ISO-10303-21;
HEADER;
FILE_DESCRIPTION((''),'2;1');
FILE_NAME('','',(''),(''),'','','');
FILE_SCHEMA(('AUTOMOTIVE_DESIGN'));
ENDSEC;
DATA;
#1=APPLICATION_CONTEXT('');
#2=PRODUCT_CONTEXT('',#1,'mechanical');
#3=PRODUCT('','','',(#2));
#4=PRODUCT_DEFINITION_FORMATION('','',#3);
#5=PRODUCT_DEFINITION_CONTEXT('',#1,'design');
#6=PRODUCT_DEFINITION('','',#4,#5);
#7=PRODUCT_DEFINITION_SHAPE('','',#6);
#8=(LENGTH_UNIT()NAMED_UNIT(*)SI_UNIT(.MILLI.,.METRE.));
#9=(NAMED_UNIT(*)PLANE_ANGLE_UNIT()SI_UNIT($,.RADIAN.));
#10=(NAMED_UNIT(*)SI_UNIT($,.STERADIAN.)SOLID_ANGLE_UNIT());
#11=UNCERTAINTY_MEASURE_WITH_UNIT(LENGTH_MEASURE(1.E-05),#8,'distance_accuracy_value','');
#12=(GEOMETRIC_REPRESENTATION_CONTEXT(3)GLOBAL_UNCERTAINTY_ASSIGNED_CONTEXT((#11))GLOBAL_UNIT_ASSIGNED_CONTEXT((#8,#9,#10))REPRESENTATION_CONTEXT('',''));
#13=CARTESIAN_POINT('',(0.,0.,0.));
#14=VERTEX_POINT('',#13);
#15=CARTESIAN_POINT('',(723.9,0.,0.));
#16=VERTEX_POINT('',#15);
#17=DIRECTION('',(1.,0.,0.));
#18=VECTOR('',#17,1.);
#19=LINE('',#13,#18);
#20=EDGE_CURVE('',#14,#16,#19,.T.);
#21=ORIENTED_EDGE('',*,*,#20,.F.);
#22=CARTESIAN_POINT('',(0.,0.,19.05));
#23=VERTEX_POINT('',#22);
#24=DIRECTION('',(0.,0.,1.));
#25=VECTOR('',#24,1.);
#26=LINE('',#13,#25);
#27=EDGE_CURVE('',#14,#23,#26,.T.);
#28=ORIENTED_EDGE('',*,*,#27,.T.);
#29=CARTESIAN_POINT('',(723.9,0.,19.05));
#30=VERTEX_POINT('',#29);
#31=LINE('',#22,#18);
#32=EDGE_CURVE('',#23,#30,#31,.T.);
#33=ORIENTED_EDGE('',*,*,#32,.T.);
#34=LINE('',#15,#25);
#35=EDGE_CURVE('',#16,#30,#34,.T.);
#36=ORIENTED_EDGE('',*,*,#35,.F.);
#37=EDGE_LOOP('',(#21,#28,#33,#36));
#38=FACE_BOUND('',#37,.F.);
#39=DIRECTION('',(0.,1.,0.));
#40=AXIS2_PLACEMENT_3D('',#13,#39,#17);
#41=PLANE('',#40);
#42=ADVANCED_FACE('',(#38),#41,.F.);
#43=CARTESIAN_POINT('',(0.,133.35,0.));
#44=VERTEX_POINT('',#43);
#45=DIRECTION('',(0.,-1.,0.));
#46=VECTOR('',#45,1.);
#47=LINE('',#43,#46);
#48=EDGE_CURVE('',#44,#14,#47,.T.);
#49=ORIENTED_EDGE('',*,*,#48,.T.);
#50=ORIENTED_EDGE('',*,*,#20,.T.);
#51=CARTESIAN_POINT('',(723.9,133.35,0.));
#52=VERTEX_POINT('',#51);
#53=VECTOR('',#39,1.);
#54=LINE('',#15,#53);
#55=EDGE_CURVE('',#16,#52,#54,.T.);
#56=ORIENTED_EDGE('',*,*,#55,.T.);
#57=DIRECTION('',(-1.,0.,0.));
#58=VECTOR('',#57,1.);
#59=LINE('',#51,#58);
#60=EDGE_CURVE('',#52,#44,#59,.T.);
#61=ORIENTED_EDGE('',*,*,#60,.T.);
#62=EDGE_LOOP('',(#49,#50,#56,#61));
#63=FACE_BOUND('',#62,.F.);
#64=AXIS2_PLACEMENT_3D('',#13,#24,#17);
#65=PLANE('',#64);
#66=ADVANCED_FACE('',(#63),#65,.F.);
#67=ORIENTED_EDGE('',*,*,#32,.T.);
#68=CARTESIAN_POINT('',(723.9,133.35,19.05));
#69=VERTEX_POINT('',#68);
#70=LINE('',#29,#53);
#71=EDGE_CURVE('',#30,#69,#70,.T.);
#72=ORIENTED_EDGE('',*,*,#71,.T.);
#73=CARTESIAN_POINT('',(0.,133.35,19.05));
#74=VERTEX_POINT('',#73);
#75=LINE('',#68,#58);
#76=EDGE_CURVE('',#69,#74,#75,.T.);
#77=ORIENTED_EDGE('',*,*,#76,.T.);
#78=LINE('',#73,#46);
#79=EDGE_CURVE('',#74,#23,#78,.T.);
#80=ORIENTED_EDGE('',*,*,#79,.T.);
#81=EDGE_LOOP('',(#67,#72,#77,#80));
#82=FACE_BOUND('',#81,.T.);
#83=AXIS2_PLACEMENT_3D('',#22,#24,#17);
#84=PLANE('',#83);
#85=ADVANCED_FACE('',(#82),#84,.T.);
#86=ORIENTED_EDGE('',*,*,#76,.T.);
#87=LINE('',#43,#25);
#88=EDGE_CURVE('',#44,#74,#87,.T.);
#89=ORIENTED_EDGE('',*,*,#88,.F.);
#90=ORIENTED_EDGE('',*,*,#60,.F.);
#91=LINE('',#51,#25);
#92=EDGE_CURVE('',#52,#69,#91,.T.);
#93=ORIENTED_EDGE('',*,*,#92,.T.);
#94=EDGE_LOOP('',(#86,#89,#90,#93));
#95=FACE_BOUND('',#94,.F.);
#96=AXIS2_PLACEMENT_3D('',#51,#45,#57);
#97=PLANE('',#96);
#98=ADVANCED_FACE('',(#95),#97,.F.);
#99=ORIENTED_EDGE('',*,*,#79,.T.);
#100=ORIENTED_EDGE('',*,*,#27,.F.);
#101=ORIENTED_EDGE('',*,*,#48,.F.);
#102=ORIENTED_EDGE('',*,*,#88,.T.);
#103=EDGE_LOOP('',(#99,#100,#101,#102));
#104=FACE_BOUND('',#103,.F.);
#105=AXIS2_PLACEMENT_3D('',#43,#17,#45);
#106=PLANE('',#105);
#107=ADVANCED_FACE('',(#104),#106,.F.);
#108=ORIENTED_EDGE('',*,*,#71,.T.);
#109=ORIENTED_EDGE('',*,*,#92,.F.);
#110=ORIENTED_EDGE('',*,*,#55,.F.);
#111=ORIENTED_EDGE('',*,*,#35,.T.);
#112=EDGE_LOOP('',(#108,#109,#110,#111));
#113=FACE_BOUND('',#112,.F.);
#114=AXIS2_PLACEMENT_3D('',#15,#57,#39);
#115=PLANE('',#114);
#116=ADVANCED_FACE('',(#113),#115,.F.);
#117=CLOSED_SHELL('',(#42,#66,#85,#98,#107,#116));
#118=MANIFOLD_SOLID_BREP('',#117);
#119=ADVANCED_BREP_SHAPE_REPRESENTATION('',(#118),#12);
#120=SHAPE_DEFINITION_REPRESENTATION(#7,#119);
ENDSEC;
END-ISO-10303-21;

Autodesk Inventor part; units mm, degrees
ref_plane "YZ Plane" through (0, 0, 0) normal (1, 0, 0) x (0, 1, 0)
ref_plane "XZ Plane" through (0, 0, 0) normal (0, 1, 0) x (-1, 0, 0)
ref_plane "XY Plane" through (0, 0, 0) normal (0, 0, 1) x (1, 0, 0)
sketch "Sketch1" plane through (0, 0, 0) normal (0, 0, 1) x (1, 0, 0)
  line L0 (0, 0) -> (723.9, 0)
  line L1 (723.9, 0) -> (723.9, 133.35)
  line L2 (723.9, 133.35) -> (0, 133.35)
  line L3 (0, 133.35) -> (0, 0)
  dimension "d0" = 723.9
  dimension "d1" = 133.35
extrude "Extrusion1" add sketch "Sketch1" along normal blind 19.05
properties part number "Platform 29in side"
